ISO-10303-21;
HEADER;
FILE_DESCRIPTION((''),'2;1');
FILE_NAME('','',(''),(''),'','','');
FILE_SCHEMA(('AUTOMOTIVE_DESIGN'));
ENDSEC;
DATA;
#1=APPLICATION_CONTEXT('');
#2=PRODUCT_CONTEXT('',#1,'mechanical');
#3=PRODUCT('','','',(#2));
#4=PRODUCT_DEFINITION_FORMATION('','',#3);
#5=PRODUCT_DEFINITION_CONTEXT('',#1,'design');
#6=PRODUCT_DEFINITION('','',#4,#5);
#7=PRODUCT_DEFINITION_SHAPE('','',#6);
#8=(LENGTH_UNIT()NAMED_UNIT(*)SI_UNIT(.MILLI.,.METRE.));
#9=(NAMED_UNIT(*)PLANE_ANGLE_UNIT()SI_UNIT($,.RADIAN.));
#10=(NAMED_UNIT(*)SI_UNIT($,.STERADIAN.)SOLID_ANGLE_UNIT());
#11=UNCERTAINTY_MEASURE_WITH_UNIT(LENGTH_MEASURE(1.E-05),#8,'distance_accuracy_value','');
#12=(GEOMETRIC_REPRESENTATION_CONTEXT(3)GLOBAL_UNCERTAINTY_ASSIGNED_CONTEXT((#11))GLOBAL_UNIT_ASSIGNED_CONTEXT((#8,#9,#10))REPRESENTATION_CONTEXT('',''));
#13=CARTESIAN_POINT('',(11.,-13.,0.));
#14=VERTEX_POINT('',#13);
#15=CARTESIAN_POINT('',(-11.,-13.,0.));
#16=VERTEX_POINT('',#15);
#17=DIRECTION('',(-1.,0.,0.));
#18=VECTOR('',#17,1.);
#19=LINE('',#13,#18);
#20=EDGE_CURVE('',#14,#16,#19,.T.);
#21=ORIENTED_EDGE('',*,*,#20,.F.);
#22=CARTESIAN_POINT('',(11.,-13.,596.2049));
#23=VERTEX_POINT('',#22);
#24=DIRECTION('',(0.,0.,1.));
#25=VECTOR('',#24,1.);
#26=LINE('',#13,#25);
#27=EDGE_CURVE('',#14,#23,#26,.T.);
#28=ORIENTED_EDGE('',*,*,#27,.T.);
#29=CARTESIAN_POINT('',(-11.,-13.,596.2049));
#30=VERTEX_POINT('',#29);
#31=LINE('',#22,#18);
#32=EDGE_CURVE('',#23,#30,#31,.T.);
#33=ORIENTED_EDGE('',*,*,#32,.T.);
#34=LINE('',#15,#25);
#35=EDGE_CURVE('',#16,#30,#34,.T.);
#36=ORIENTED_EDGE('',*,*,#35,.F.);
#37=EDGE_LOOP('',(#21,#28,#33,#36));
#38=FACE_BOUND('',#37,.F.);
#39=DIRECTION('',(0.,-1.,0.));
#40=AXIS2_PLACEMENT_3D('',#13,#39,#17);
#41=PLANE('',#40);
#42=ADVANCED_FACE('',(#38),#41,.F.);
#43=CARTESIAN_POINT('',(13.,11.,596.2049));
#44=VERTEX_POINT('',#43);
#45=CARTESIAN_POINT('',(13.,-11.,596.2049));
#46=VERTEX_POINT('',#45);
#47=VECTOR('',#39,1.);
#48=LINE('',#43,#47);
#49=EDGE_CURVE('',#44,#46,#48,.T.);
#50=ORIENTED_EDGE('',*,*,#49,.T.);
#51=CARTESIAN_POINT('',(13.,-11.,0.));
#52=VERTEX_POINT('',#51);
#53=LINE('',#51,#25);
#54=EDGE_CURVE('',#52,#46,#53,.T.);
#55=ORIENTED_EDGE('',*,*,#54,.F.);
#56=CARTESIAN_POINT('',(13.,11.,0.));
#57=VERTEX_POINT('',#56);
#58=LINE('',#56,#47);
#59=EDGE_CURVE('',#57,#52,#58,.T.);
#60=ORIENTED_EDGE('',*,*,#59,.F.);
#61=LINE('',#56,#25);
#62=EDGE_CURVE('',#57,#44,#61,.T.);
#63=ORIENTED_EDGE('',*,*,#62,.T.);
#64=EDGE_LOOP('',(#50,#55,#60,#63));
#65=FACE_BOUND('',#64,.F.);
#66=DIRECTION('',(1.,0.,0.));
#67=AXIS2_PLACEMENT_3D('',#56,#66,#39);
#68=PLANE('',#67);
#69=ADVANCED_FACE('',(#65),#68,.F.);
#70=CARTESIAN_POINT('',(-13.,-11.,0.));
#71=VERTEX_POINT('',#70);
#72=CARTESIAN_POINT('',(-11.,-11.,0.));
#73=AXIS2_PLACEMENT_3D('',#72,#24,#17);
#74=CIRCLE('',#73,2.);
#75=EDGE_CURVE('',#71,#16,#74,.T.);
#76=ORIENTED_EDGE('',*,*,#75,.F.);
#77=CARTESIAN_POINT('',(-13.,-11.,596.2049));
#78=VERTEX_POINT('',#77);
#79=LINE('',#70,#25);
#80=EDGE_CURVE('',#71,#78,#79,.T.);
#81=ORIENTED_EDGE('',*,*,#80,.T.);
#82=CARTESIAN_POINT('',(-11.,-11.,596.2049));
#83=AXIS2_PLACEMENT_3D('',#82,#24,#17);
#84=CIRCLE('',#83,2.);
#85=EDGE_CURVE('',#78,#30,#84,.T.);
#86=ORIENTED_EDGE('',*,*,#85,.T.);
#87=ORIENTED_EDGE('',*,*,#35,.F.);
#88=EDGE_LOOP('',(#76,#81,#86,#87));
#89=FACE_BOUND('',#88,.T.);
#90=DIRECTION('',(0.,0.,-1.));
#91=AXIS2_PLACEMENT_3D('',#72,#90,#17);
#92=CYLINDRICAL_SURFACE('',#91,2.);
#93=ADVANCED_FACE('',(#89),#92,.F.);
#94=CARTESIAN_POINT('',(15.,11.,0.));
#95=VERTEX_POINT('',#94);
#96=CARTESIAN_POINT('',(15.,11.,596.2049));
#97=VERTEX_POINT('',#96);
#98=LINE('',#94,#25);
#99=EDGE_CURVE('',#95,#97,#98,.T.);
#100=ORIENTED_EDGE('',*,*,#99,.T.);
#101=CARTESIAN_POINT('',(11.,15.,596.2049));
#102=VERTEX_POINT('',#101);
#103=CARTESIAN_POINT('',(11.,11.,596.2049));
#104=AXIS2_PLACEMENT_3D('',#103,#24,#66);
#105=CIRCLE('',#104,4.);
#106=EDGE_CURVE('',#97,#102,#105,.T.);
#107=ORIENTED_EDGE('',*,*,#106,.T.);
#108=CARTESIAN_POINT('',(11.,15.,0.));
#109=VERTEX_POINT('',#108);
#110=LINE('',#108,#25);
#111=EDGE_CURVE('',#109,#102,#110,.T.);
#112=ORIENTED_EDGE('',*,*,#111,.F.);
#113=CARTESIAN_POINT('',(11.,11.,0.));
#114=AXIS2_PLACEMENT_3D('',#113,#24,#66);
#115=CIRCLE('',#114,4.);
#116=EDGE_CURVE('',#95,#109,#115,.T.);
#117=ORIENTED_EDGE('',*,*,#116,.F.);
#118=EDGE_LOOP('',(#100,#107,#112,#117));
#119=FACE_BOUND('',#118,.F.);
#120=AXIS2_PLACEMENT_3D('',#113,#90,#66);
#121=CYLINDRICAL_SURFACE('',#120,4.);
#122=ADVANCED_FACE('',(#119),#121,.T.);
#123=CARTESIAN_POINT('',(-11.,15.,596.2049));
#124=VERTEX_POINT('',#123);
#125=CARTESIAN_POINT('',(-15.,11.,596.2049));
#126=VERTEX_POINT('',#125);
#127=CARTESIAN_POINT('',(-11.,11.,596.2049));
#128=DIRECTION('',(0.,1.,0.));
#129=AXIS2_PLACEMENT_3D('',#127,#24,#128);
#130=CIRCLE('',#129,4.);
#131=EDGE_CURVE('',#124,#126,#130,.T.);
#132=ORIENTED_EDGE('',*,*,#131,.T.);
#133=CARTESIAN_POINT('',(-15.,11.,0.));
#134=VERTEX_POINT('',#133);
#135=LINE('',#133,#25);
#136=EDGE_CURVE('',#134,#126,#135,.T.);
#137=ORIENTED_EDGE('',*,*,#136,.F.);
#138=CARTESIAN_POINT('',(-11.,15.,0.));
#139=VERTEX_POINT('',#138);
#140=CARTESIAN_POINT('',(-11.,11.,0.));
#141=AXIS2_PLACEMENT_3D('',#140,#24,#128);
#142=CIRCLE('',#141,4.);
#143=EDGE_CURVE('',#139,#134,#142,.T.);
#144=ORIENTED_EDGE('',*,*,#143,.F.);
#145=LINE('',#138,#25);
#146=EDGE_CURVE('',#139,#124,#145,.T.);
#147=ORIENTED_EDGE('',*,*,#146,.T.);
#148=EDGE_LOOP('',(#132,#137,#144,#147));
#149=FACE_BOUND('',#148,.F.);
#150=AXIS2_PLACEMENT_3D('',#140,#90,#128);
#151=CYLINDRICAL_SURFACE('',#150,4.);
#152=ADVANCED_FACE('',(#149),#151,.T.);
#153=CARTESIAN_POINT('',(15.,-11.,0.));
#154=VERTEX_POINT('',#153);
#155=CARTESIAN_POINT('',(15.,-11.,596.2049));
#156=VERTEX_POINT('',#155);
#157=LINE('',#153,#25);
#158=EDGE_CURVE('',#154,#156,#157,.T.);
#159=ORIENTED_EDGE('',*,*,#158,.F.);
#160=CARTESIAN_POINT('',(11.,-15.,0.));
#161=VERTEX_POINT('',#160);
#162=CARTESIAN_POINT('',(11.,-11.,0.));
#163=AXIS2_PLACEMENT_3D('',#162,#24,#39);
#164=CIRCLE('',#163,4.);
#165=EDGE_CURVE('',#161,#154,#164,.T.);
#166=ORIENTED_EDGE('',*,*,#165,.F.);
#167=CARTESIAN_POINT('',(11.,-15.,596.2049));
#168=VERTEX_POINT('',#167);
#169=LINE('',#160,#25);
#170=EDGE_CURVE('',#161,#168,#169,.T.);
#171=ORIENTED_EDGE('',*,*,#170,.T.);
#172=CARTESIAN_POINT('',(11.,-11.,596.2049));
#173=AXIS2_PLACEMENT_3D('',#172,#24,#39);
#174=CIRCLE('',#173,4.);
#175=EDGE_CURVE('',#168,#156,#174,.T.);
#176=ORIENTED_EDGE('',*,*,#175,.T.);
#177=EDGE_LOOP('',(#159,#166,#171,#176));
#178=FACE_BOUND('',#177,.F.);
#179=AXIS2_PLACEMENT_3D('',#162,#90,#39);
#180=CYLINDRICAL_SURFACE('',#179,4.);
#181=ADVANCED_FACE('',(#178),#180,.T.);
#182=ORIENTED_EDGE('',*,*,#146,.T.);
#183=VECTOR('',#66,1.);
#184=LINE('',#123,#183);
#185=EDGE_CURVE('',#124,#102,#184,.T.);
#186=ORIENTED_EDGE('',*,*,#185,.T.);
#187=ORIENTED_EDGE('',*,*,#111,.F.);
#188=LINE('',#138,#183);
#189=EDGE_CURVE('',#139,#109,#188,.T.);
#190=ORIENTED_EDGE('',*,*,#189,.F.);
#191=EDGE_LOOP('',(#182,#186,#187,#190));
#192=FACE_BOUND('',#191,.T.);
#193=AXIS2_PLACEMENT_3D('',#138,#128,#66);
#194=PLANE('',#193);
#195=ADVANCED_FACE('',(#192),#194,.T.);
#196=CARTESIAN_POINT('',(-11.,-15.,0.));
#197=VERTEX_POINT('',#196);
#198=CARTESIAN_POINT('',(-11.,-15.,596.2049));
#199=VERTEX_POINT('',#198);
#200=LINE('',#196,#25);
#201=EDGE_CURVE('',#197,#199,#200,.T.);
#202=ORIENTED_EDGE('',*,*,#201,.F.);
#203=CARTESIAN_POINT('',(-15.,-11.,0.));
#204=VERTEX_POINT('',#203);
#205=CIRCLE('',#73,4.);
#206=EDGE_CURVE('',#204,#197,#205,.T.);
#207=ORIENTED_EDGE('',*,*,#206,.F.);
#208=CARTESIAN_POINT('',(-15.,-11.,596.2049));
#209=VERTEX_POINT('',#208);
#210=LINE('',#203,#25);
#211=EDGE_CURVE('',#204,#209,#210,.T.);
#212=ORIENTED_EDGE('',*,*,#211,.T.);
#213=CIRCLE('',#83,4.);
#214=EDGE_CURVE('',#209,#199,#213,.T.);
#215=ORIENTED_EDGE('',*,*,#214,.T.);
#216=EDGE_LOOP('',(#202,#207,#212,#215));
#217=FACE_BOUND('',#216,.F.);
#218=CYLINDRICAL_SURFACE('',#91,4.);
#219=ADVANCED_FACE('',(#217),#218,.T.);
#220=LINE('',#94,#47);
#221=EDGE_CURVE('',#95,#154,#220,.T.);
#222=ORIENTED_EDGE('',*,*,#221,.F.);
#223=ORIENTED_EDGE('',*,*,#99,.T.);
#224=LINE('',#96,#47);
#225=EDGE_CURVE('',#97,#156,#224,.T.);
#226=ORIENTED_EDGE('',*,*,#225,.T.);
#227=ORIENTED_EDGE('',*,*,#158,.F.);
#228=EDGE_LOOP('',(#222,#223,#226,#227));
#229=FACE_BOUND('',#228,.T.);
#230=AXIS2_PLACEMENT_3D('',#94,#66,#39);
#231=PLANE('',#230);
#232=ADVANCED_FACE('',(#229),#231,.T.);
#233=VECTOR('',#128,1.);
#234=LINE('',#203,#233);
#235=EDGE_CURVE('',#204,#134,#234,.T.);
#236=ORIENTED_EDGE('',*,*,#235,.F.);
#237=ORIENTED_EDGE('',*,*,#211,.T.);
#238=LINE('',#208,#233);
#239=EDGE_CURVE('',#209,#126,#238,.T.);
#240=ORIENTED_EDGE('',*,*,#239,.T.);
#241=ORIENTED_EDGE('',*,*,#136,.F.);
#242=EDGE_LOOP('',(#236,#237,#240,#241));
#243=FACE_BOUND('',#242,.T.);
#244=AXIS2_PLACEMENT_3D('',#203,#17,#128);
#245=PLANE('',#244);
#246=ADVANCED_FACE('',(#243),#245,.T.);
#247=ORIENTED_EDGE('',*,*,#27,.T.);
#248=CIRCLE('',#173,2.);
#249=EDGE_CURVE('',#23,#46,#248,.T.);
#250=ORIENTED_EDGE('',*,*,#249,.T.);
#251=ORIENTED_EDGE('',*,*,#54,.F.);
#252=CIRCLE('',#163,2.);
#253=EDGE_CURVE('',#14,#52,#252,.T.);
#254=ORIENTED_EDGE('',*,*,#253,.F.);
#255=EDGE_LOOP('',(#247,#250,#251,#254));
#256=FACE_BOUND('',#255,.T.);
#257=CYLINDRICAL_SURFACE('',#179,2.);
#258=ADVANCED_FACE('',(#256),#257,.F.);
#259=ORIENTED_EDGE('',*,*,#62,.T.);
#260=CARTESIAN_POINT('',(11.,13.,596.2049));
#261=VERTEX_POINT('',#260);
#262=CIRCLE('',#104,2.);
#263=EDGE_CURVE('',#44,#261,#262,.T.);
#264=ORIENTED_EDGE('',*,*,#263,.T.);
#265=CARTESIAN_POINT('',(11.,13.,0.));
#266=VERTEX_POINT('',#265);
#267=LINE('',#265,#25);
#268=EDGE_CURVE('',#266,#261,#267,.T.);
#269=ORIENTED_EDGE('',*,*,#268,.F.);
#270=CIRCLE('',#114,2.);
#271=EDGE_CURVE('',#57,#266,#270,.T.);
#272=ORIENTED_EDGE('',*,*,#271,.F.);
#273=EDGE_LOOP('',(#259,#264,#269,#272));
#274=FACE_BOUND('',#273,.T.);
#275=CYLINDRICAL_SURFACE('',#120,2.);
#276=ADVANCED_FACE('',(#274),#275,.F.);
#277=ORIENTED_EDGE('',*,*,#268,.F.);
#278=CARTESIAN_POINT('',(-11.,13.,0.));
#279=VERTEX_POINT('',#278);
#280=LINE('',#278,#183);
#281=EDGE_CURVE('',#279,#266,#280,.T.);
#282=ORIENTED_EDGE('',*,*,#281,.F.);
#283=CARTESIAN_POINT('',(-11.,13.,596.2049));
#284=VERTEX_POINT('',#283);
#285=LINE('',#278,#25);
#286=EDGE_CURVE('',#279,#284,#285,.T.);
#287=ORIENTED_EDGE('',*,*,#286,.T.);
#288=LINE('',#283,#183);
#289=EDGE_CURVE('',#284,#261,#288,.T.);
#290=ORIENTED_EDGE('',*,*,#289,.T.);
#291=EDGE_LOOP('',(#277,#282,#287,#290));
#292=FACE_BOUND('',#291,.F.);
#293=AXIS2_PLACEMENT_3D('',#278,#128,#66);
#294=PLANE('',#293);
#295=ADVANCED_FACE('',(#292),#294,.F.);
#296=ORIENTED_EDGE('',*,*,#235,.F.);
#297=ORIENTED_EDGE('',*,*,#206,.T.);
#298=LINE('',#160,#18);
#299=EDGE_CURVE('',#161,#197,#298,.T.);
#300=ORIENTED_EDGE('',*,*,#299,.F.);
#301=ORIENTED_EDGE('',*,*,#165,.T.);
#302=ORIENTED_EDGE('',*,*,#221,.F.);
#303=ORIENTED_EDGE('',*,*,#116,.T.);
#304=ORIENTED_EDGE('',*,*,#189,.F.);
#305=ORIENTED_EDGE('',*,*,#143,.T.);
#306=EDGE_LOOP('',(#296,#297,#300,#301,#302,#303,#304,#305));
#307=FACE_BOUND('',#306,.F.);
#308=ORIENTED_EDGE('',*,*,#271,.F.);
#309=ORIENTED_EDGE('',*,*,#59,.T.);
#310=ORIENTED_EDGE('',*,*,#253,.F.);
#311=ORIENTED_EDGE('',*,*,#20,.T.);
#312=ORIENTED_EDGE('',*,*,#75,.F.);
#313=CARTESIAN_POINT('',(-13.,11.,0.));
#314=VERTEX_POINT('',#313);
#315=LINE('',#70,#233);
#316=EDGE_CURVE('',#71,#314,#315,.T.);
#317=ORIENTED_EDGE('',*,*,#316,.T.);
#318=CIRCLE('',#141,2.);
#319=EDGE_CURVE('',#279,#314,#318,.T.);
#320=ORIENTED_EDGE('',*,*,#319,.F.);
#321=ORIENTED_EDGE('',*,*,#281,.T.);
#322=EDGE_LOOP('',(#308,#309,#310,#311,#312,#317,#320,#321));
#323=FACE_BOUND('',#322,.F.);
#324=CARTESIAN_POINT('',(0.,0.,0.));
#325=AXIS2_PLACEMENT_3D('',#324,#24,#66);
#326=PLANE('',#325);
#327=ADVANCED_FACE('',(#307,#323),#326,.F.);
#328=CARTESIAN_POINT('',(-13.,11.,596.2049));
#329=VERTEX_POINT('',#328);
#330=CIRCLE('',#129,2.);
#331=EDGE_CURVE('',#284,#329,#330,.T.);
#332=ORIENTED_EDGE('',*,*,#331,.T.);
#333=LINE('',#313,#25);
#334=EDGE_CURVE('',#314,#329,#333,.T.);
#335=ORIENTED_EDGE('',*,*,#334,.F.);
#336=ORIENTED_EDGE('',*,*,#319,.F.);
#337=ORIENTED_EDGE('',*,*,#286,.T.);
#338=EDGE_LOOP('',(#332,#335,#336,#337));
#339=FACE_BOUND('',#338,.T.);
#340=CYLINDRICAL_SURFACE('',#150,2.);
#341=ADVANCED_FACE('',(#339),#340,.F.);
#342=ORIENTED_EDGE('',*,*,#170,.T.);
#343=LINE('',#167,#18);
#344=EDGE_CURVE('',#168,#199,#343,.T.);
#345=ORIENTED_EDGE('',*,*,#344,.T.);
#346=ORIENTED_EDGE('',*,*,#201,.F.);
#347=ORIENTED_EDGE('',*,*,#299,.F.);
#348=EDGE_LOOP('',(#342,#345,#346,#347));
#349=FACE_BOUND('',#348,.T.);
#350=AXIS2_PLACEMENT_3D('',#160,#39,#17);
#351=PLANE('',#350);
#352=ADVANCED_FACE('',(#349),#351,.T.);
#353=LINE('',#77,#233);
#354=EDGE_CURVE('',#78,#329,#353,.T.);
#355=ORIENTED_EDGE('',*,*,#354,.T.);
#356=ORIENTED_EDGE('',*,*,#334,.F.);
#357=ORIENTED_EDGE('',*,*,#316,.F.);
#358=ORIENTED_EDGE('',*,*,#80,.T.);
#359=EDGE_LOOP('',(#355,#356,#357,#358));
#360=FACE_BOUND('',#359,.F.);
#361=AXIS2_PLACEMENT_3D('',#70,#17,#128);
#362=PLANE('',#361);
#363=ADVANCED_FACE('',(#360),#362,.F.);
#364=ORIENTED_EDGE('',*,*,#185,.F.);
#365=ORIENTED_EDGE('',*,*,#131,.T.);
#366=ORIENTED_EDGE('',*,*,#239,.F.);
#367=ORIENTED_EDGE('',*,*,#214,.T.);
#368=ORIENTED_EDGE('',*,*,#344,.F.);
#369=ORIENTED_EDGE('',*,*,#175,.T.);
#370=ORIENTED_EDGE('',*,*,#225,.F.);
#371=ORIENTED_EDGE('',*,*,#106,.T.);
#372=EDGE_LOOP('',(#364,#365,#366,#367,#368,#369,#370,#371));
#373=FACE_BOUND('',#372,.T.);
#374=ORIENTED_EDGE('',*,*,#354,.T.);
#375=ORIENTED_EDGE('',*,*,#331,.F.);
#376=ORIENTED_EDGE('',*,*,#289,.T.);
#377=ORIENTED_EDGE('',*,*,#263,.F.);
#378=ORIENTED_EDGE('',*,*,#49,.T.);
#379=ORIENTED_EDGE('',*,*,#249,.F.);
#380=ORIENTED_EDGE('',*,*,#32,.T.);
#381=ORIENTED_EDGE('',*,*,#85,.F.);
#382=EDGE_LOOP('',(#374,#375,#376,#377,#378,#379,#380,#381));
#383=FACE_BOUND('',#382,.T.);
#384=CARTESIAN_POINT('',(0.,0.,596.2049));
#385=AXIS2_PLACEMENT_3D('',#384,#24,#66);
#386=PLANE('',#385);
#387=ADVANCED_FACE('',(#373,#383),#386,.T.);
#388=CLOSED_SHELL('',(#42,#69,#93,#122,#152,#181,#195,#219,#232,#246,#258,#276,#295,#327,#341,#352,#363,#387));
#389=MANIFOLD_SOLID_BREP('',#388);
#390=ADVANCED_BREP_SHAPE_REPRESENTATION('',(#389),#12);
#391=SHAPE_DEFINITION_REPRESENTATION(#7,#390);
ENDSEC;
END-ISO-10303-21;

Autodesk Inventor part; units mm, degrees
ref_plane "YZ Plane" through (0, 0, 0) normal (1, 0, 0) x (0, 1, 0)
ref_plane "Start plane" through (0, 0, 0) normal (0, 0, 1) x (1, 0, 0)
ref_plane "End plane" through (0, 0, 596.2049) normal (0, 0, 1) x (1, 0, 0)
sketch "Sketch" plane through (0, 0, 0) normal (0, 0, 1) x (1, 0, 0)
  line L0 (-15, -11) -> (-15, 11)
  line L1 (-11, 15) -> (11, 15)
  line L2 (15, 11) -> (15, -11)
  line L3 (11, -15) -> (-11, -15)
  arc A0 (-15, -11) -> (-11, -15) centre (-11, -11) ccw
  arc A1 (15, 11) -> (11, 15) centre (11, 11) ccw
  arc A2 (-11, 15) -> (-15, 11) centre (-11, 11) ccw
  arc A3 (11, -15) -> (15, -11) centre (11, -11) ccw
  arc A4 (-11, 13) -> (-13, 11) centre (-11, 11) ccw
  line L4 (-11, 13) -> (11, 13)
  arc A5 (13, 11) -> (11, 13) centre (11, 11) ccw
  line L5 (13, 11) -> (13, -11)
  arc A6 (11, -13) -> (13, -11) centre (11, -11) ccw
  line L6 (11, -13) -> (-11, -13)
  arc A7 (-13, -11) -> (-11, -13) centre (-11, -11) ccw
  line L7 (-13, -11) -> (-13, 11)
  line L8 (0, 22.1598) -> (0, -22.1598) construction
  line L9 (-22.1598, 0) -> (22.1598, 0) construction
  dimension "d7" = 4
  dimension "d9" = 30
  dimension "d11" = 30
  dimension "d12" = 2
  dimension "d15" = 15
  dimension "d16" = 15
extrude "Body" add sketch "Sketch" along normal up to surface (596.2049 mm away) from surface at 0
sketch "Sketch3" plane through (0, 0, 0) normal (0, 0, 1) x (1, 0, 0)
  line L0 (0, 0) -> (10, 0)
ref_plane "Work Plane3" through (0, 0, 0) normal (0, -1, 0) x (1, 0, 0)
sketch "Sketch4" plane through (0, 0, 0) normal (0, -1, 0) x (1, 0, 0)
  line L0 (-2, 0) -> (12, 0)
  line L1 (-2, 596.2049) -> (12, 596.2049)
  dimension "d18" = 596.2049
equation "\"d7\" = G_IR"
equation "\"d9\" = G_W"
equation "\"d11\" = G_H"
equation "\"d12\" = G_T"
equation "\"d15\" = 0.5 * d9"
equation "\"d16\" = 0.5 * d11"
equation "\"d3\" = G_L"
equation "\"G_W\" = 30"
equation "\"G_H\" = 30"
equation "\"G_T\" = 2"
equation "\"G_IR\" = 4"
equation "\"G_L\" = d18"
equation "\"G_OFFSET_START\" = 0"
equation "\"G_OFFSET_END\" = 0"
equation "\"d14\" = G_OFFSET_END + B_L"
equation "\"B_L\" = 596.20489"
properties part number "ISO 4019 - 30x30x2 - 596.205" material "Steel, Mild"
